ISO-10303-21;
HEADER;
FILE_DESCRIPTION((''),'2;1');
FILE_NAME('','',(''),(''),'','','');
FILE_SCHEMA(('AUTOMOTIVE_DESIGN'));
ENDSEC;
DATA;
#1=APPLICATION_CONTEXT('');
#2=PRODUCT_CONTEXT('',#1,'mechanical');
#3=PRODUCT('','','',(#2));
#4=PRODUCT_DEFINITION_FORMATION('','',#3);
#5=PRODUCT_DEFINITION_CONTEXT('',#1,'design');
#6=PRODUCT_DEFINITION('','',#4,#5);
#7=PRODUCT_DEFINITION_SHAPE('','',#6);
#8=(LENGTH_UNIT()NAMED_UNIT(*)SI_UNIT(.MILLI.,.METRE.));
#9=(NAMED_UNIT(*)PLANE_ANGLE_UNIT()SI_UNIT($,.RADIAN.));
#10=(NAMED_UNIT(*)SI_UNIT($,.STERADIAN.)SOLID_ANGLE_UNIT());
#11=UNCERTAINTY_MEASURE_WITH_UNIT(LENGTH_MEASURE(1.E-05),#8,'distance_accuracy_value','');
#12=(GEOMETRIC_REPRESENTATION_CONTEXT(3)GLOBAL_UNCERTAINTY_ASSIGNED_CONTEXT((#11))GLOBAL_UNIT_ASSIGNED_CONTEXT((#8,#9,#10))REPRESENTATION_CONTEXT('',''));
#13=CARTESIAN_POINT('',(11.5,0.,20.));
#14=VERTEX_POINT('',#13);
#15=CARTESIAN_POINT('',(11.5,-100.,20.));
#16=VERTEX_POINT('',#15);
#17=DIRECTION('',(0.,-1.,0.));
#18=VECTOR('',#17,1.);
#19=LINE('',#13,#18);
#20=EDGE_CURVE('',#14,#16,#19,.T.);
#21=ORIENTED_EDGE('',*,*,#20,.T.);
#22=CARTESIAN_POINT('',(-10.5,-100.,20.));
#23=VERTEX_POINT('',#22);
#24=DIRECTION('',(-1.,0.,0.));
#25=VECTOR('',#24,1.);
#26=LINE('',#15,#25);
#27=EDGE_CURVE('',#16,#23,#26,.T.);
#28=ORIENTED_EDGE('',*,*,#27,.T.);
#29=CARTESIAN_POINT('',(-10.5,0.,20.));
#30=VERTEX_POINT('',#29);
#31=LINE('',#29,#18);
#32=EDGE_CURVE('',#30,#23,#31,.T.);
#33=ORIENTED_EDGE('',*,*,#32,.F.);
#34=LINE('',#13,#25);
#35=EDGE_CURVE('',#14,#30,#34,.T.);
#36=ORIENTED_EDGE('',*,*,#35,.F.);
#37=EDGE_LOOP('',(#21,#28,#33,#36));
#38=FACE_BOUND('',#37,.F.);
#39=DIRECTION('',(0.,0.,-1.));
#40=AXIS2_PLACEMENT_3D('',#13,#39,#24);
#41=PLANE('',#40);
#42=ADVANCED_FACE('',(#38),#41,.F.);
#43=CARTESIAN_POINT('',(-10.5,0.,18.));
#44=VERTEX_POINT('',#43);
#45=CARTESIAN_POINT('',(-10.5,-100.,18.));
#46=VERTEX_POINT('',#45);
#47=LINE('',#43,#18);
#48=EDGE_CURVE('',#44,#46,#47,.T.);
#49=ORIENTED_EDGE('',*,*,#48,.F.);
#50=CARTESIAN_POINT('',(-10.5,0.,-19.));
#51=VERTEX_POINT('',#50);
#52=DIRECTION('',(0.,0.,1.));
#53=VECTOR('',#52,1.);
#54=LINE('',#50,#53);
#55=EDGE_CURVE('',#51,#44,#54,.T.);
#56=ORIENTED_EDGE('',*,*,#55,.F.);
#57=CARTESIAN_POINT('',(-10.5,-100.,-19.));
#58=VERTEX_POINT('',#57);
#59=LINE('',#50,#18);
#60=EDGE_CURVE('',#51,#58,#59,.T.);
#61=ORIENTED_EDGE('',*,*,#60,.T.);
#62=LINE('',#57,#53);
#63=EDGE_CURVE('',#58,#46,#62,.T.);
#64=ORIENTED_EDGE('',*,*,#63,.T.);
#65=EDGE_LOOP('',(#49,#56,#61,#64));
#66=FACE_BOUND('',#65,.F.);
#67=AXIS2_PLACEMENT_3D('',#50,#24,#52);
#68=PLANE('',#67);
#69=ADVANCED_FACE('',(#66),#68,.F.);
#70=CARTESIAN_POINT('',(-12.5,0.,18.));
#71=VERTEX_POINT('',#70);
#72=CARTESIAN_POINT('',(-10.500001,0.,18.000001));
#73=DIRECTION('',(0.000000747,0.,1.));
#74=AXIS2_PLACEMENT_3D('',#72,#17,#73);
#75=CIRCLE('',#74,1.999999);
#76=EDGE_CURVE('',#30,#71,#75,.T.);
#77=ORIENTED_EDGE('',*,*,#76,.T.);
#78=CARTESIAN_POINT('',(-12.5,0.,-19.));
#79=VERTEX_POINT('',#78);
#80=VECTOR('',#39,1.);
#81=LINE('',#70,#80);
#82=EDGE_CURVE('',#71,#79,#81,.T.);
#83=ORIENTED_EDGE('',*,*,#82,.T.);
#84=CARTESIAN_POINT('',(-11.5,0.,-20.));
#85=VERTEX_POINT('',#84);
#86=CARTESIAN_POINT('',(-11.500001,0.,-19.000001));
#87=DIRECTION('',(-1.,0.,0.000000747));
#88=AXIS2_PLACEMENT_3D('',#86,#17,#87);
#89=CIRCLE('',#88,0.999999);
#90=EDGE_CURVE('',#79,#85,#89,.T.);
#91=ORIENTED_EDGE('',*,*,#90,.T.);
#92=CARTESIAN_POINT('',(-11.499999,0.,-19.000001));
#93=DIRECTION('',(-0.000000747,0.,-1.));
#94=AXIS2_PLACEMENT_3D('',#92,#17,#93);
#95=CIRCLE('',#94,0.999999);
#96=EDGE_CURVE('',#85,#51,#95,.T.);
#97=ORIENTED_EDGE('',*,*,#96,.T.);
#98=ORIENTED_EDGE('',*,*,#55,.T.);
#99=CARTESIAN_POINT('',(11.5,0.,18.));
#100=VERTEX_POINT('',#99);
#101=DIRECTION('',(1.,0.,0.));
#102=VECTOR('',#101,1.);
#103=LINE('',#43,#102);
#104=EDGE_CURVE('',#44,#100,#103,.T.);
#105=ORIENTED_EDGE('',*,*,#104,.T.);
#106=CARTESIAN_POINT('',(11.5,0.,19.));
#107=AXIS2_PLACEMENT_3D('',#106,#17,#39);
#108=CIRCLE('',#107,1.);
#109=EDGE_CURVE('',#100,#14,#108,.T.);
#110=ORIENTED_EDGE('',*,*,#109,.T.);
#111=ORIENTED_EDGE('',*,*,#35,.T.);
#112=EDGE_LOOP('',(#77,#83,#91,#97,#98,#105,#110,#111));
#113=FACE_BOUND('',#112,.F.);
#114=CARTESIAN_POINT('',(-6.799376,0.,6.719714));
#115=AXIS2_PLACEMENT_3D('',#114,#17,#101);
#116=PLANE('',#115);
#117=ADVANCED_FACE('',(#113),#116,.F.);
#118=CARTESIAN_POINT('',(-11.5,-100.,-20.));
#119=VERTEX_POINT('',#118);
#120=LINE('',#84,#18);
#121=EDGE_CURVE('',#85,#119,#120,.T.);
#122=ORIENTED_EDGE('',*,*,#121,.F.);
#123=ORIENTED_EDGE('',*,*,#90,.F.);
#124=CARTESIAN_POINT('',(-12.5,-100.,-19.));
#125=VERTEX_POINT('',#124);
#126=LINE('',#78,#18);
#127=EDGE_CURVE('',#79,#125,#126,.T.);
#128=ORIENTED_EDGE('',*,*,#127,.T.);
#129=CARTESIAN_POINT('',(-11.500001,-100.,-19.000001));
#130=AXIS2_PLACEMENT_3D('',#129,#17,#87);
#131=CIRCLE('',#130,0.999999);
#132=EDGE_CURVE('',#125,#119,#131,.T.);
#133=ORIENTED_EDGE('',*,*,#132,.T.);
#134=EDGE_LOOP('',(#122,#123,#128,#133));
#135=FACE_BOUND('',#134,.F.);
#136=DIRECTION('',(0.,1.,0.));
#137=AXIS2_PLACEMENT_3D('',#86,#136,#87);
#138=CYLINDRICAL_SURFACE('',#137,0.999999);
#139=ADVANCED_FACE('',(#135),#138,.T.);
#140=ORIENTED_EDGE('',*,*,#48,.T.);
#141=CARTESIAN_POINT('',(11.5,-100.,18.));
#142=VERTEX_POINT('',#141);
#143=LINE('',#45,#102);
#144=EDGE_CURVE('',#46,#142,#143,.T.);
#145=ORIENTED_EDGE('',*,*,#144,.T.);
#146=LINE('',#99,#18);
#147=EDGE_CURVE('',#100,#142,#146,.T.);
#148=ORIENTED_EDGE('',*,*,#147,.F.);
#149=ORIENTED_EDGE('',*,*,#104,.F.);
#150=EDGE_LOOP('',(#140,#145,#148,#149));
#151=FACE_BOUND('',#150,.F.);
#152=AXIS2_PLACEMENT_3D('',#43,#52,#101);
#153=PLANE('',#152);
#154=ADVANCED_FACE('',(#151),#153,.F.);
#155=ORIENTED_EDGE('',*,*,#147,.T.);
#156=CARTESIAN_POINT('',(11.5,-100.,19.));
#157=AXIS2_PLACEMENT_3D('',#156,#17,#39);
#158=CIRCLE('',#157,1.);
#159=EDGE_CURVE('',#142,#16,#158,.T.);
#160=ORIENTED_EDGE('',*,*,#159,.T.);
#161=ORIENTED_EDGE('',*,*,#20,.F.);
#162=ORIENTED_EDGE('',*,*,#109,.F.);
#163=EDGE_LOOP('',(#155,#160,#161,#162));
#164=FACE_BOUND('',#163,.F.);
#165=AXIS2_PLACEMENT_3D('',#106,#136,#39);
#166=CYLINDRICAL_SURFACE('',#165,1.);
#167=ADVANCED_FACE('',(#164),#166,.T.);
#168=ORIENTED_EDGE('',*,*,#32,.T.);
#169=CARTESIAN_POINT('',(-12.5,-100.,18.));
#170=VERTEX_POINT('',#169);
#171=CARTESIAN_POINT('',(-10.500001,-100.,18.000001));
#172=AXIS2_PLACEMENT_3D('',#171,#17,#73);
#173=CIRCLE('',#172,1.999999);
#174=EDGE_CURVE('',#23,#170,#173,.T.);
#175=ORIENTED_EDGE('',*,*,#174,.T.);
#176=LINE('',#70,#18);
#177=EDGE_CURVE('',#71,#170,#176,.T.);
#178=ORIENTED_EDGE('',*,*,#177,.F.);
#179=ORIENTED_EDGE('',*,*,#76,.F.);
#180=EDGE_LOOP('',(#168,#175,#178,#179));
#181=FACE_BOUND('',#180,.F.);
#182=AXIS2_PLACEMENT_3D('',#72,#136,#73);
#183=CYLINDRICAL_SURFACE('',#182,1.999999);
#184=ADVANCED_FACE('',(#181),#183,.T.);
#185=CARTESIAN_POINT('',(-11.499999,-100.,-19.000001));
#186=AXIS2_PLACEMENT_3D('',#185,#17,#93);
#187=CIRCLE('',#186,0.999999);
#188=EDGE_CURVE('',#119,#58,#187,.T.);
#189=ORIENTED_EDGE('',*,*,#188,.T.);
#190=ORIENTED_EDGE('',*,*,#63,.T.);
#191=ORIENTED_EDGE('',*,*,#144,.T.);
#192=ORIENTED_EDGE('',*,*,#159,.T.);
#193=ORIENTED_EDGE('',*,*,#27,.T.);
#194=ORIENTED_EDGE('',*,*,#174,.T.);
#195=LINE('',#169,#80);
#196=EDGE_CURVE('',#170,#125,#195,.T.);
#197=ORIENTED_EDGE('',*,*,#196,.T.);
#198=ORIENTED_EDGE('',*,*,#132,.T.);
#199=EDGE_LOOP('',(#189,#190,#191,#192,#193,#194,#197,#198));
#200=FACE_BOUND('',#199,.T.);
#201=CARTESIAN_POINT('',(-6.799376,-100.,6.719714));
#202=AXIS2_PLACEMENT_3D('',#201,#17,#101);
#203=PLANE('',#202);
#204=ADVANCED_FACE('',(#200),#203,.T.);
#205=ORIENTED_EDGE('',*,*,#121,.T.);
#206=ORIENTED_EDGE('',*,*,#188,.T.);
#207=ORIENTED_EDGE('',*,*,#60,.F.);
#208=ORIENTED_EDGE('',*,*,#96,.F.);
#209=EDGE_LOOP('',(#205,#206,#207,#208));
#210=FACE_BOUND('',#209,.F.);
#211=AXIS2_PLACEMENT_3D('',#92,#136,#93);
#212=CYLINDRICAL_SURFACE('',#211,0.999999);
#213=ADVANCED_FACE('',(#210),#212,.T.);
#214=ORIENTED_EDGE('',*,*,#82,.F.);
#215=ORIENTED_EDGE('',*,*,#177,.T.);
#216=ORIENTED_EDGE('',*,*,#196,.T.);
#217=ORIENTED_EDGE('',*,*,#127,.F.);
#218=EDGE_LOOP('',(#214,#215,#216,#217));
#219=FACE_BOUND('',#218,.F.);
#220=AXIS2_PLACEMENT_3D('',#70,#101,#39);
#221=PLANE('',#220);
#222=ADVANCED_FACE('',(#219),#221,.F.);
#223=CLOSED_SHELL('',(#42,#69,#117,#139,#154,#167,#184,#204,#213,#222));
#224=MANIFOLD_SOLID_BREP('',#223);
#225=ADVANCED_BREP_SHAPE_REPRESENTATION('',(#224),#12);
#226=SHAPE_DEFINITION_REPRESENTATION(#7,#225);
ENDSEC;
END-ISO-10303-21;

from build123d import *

# Parameters (mm, degrees)
F1_DEPTH = 100


with BuildPart() as f1:
    # F0 (on Front) → F1 (new body)
    with BuildSketch(Plane.XZ):
        with BuildLine():
            ThreePointArc((11.5, 18), (12.5, 19), (11.5, 20))
            Line((11.5, 20), (-10.5, 20))
            ThreePointArc((-10.5, 20), (-11.914214, 19.414214), (-12.5, 18))
            Line((-12.5, 18), (-12.5, -19))
            ThreePointArc((-12.5, -19), (-12.207107, -19.707107), (-11.5, -20))
            ThreePointArc((-11.5, -20), (-10.792893, -19.707107), (-10.5, -19))
            Line((-10.5, -19), (-10.5, -18))
            Line((-10.5, -18), (-10.5, -12.363406))
            Line((-10.5, -12.363406), (-10.5, 18))
            Line((-10.5, 18), (11.5, 18))
        make_face()
    extrude(amount=F1_DEPTH)


solid = f1.part
